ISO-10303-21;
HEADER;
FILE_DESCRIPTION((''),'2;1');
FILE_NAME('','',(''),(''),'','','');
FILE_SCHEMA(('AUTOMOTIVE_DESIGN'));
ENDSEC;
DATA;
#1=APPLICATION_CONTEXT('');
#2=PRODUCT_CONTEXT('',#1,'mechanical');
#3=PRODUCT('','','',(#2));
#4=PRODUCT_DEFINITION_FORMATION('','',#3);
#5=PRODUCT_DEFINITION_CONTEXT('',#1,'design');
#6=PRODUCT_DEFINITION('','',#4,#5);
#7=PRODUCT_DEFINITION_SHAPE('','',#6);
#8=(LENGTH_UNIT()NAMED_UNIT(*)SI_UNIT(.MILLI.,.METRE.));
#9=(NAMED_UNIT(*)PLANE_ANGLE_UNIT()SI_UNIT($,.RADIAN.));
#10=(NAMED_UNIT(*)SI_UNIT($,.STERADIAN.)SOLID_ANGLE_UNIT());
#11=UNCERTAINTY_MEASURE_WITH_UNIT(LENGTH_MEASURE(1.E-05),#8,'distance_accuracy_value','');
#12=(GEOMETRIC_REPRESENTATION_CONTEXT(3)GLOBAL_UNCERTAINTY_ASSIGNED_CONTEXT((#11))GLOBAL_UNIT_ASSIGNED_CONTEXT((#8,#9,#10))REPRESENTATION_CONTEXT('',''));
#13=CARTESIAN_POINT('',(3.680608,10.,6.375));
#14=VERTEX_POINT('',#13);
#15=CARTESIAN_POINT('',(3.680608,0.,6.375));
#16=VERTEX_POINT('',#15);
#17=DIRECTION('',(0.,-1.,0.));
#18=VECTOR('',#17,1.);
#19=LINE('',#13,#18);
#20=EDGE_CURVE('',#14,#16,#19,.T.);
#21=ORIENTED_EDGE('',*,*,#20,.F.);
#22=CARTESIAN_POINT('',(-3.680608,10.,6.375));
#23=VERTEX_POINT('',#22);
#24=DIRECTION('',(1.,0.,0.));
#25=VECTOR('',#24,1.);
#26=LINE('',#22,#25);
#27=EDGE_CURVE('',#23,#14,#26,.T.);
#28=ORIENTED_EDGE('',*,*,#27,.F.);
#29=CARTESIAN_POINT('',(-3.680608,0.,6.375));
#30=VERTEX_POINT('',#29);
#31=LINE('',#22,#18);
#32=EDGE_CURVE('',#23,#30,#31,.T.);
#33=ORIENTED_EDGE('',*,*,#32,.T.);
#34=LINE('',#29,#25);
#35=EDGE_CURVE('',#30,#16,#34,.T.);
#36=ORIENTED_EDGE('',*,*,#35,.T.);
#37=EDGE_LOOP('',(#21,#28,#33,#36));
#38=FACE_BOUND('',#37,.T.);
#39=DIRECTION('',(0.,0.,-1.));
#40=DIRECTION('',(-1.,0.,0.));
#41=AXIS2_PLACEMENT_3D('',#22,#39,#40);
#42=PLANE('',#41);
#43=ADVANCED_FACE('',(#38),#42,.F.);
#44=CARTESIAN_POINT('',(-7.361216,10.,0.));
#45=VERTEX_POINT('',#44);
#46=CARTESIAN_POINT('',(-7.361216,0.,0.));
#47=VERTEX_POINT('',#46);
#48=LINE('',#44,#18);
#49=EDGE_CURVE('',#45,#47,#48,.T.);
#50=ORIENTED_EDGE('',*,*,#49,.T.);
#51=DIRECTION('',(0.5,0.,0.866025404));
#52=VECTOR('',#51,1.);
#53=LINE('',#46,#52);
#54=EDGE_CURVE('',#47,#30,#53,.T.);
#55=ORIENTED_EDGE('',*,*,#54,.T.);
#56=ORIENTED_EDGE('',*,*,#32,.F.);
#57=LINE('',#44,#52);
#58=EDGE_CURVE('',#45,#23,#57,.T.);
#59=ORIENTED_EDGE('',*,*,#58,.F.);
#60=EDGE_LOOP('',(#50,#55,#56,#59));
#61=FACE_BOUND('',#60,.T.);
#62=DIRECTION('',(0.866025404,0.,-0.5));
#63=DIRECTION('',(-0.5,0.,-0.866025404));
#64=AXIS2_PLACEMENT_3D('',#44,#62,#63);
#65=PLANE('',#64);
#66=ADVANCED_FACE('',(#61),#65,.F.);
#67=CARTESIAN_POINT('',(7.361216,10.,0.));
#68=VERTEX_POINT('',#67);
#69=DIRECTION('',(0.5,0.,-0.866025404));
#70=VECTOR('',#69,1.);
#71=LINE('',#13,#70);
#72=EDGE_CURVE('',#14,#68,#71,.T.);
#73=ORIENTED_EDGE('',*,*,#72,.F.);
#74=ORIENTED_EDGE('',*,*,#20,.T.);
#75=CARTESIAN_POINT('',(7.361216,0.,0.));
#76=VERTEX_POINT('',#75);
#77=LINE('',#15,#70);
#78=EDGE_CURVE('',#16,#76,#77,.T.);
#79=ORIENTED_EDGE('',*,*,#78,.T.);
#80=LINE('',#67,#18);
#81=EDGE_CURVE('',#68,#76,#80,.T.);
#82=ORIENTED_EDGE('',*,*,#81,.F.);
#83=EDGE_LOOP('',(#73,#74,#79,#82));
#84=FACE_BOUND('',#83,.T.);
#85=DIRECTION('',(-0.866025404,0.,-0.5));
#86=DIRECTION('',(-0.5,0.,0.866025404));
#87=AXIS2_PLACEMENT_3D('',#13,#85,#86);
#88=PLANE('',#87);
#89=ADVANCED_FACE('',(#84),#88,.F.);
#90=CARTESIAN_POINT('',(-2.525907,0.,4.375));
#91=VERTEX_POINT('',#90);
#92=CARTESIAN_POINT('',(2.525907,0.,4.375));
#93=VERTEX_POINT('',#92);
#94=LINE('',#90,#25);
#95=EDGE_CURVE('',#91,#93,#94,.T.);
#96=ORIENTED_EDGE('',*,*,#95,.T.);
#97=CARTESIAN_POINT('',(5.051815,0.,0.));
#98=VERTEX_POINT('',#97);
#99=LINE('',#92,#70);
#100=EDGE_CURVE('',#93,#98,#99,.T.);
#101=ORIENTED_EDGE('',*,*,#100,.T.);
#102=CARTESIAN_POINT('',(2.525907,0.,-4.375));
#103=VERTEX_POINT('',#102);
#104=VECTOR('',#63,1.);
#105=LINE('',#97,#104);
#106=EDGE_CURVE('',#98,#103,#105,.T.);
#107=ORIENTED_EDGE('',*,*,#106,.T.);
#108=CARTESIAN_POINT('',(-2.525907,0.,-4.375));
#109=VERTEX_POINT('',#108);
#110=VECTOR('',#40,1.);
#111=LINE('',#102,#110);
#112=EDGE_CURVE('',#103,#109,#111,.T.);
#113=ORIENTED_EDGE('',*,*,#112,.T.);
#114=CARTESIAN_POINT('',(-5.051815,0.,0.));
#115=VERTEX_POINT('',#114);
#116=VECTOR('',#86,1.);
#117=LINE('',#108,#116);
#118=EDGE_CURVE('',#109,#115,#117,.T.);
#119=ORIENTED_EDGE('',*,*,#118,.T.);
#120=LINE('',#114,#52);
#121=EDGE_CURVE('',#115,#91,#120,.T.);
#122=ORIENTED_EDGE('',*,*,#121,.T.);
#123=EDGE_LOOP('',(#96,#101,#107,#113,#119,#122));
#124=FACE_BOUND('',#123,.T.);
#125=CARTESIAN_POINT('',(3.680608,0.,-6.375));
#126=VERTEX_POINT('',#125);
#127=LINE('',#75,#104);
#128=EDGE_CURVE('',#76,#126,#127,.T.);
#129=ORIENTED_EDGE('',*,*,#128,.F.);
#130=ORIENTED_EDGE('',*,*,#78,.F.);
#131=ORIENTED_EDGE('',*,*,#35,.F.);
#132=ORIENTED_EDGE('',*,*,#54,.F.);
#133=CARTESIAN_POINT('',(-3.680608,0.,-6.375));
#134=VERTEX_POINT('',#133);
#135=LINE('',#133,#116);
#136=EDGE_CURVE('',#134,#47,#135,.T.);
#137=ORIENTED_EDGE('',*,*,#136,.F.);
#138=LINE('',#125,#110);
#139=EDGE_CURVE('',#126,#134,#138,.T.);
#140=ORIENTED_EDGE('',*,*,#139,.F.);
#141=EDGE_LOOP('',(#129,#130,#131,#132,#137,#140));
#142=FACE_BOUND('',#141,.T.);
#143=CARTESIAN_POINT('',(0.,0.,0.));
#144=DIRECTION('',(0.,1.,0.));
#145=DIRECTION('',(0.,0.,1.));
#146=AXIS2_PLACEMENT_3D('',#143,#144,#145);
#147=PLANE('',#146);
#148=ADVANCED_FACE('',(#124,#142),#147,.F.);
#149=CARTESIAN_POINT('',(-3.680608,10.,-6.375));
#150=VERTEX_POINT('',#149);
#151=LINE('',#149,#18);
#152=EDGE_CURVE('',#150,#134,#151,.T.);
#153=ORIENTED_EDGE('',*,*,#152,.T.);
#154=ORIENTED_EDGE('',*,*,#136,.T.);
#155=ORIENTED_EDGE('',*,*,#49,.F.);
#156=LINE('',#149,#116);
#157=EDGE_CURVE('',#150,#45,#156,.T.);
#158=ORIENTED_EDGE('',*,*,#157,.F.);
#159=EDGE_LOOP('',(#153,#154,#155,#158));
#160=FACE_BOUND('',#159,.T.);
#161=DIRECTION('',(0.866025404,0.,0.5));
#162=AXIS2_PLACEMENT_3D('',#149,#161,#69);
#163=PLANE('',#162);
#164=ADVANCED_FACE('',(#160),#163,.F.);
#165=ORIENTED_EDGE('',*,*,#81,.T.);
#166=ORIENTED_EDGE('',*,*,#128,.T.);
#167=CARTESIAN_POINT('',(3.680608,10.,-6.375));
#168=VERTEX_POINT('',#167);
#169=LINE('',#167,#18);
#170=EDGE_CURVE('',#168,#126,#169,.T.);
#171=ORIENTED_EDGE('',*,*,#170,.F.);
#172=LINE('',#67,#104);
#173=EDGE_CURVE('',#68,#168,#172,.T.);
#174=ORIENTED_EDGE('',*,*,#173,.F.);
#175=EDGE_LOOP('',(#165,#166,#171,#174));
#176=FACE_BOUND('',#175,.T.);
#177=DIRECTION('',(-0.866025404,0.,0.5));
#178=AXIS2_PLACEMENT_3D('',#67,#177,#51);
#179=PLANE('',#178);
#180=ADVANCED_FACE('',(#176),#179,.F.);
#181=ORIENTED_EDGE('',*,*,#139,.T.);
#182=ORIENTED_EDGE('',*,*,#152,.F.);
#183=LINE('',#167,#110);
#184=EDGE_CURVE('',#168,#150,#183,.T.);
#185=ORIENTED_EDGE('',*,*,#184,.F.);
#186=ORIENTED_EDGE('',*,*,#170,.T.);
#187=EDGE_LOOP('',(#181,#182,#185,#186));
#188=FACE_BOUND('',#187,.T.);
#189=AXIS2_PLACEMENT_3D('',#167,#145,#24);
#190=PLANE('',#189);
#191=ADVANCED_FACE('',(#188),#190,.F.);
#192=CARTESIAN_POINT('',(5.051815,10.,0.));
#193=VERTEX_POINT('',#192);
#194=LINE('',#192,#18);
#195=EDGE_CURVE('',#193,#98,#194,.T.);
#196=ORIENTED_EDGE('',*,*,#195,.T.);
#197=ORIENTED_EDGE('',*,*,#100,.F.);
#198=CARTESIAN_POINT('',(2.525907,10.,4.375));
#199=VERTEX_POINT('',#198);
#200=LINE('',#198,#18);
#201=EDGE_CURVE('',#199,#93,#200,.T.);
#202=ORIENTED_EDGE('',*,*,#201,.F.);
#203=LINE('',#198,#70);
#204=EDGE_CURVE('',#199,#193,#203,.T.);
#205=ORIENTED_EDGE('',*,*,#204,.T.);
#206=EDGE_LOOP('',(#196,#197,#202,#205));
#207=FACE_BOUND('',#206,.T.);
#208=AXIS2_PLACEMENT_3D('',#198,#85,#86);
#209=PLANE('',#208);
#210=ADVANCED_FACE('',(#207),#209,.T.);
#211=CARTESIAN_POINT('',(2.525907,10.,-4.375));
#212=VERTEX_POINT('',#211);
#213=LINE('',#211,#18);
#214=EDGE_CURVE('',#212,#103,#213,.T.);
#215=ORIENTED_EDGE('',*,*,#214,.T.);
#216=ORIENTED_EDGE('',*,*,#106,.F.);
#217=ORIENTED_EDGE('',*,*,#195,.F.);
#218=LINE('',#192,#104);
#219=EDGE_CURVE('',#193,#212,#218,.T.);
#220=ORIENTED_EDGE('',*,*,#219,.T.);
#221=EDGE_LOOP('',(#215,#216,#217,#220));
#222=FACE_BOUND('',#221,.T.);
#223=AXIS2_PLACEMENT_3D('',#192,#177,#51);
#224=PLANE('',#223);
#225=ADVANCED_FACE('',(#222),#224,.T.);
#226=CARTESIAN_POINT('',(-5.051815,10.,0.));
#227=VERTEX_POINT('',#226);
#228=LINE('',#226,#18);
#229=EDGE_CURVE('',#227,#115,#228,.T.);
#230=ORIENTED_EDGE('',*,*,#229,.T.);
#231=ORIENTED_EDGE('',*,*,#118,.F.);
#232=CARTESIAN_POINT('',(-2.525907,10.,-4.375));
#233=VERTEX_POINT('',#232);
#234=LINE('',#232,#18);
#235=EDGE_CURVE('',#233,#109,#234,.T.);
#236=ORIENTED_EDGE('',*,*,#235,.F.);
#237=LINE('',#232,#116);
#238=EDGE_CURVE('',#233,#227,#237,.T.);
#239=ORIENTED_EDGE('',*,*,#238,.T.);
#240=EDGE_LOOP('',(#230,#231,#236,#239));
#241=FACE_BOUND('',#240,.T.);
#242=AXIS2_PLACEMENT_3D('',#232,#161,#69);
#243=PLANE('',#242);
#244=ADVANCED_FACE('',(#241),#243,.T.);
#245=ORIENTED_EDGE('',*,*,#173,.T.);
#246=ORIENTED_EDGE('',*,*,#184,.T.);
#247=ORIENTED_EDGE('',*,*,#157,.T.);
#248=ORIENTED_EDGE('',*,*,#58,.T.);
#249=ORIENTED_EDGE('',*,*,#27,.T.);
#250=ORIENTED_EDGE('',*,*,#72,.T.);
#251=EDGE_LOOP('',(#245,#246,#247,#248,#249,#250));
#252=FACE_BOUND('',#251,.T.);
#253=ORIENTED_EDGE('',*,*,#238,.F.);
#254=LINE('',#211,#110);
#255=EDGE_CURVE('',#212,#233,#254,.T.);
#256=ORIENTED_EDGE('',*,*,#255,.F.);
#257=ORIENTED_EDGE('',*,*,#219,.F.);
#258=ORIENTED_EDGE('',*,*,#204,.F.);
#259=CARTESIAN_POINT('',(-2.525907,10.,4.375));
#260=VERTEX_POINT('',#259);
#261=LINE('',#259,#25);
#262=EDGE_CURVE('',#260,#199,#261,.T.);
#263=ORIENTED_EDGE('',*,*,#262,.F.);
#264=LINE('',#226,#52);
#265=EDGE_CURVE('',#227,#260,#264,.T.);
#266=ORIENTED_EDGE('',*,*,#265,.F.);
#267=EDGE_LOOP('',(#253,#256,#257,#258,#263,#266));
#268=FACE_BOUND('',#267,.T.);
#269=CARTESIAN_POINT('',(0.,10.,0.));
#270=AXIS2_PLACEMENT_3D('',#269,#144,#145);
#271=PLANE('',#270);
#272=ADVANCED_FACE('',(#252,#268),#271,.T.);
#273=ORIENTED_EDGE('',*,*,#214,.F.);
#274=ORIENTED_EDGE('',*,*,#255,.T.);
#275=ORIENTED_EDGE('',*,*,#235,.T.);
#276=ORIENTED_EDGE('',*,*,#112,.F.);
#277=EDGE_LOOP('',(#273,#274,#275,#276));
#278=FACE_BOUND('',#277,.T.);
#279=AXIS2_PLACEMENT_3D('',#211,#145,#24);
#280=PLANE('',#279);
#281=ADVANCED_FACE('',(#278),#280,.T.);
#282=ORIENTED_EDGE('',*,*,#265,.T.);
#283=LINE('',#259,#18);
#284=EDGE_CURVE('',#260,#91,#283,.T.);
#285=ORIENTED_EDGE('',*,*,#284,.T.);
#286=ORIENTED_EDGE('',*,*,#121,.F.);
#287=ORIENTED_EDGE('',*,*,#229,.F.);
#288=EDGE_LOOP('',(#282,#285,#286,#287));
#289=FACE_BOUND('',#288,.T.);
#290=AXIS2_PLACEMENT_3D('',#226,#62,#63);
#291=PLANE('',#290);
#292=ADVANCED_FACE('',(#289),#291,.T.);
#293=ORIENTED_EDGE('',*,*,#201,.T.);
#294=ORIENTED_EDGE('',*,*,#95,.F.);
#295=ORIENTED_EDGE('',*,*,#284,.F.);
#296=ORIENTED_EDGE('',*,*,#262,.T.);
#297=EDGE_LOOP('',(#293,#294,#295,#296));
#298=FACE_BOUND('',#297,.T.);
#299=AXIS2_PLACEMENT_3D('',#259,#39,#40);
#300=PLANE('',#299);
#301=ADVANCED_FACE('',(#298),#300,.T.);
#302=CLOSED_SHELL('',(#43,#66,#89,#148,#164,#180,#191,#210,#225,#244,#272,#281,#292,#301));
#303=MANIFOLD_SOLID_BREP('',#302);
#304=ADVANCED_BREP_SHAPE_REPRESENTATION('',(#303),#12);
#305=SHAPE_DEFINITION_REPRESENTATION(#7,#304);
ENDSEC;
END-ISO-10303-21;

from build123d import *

# Parameters (mm, degrees)
BOSS_EXTRUDE1_DEPTH = 10


with BuildPart() as part:
    # Sketch1 → Boss-Extrude1 (new body)
    with BuildSketch(Plane(origin=(0, 0, 0), x_dir=(1, 0, 0), z_dir=(0, 1, 0))):
        Polygon((7.361215932, 0), (3.680607966, 6.375), (-3.680607966, 6.375), (-7.361215932, 0), (-3.680607966, -6.375), (3.680607966, -6.375), align=None)
        Polygon((2.525907428, 4.375), (-2.525907428, 4.375), (-5.051814855, 0), (-2.525907428, -4.375), (2.525907428, -4.375), (5.051814855, 0), align=None, mode=Mode.SUBTRACT)
    extrude(amount=BOSS_EXTRUDE1_DEPTH)


solid = part.part
